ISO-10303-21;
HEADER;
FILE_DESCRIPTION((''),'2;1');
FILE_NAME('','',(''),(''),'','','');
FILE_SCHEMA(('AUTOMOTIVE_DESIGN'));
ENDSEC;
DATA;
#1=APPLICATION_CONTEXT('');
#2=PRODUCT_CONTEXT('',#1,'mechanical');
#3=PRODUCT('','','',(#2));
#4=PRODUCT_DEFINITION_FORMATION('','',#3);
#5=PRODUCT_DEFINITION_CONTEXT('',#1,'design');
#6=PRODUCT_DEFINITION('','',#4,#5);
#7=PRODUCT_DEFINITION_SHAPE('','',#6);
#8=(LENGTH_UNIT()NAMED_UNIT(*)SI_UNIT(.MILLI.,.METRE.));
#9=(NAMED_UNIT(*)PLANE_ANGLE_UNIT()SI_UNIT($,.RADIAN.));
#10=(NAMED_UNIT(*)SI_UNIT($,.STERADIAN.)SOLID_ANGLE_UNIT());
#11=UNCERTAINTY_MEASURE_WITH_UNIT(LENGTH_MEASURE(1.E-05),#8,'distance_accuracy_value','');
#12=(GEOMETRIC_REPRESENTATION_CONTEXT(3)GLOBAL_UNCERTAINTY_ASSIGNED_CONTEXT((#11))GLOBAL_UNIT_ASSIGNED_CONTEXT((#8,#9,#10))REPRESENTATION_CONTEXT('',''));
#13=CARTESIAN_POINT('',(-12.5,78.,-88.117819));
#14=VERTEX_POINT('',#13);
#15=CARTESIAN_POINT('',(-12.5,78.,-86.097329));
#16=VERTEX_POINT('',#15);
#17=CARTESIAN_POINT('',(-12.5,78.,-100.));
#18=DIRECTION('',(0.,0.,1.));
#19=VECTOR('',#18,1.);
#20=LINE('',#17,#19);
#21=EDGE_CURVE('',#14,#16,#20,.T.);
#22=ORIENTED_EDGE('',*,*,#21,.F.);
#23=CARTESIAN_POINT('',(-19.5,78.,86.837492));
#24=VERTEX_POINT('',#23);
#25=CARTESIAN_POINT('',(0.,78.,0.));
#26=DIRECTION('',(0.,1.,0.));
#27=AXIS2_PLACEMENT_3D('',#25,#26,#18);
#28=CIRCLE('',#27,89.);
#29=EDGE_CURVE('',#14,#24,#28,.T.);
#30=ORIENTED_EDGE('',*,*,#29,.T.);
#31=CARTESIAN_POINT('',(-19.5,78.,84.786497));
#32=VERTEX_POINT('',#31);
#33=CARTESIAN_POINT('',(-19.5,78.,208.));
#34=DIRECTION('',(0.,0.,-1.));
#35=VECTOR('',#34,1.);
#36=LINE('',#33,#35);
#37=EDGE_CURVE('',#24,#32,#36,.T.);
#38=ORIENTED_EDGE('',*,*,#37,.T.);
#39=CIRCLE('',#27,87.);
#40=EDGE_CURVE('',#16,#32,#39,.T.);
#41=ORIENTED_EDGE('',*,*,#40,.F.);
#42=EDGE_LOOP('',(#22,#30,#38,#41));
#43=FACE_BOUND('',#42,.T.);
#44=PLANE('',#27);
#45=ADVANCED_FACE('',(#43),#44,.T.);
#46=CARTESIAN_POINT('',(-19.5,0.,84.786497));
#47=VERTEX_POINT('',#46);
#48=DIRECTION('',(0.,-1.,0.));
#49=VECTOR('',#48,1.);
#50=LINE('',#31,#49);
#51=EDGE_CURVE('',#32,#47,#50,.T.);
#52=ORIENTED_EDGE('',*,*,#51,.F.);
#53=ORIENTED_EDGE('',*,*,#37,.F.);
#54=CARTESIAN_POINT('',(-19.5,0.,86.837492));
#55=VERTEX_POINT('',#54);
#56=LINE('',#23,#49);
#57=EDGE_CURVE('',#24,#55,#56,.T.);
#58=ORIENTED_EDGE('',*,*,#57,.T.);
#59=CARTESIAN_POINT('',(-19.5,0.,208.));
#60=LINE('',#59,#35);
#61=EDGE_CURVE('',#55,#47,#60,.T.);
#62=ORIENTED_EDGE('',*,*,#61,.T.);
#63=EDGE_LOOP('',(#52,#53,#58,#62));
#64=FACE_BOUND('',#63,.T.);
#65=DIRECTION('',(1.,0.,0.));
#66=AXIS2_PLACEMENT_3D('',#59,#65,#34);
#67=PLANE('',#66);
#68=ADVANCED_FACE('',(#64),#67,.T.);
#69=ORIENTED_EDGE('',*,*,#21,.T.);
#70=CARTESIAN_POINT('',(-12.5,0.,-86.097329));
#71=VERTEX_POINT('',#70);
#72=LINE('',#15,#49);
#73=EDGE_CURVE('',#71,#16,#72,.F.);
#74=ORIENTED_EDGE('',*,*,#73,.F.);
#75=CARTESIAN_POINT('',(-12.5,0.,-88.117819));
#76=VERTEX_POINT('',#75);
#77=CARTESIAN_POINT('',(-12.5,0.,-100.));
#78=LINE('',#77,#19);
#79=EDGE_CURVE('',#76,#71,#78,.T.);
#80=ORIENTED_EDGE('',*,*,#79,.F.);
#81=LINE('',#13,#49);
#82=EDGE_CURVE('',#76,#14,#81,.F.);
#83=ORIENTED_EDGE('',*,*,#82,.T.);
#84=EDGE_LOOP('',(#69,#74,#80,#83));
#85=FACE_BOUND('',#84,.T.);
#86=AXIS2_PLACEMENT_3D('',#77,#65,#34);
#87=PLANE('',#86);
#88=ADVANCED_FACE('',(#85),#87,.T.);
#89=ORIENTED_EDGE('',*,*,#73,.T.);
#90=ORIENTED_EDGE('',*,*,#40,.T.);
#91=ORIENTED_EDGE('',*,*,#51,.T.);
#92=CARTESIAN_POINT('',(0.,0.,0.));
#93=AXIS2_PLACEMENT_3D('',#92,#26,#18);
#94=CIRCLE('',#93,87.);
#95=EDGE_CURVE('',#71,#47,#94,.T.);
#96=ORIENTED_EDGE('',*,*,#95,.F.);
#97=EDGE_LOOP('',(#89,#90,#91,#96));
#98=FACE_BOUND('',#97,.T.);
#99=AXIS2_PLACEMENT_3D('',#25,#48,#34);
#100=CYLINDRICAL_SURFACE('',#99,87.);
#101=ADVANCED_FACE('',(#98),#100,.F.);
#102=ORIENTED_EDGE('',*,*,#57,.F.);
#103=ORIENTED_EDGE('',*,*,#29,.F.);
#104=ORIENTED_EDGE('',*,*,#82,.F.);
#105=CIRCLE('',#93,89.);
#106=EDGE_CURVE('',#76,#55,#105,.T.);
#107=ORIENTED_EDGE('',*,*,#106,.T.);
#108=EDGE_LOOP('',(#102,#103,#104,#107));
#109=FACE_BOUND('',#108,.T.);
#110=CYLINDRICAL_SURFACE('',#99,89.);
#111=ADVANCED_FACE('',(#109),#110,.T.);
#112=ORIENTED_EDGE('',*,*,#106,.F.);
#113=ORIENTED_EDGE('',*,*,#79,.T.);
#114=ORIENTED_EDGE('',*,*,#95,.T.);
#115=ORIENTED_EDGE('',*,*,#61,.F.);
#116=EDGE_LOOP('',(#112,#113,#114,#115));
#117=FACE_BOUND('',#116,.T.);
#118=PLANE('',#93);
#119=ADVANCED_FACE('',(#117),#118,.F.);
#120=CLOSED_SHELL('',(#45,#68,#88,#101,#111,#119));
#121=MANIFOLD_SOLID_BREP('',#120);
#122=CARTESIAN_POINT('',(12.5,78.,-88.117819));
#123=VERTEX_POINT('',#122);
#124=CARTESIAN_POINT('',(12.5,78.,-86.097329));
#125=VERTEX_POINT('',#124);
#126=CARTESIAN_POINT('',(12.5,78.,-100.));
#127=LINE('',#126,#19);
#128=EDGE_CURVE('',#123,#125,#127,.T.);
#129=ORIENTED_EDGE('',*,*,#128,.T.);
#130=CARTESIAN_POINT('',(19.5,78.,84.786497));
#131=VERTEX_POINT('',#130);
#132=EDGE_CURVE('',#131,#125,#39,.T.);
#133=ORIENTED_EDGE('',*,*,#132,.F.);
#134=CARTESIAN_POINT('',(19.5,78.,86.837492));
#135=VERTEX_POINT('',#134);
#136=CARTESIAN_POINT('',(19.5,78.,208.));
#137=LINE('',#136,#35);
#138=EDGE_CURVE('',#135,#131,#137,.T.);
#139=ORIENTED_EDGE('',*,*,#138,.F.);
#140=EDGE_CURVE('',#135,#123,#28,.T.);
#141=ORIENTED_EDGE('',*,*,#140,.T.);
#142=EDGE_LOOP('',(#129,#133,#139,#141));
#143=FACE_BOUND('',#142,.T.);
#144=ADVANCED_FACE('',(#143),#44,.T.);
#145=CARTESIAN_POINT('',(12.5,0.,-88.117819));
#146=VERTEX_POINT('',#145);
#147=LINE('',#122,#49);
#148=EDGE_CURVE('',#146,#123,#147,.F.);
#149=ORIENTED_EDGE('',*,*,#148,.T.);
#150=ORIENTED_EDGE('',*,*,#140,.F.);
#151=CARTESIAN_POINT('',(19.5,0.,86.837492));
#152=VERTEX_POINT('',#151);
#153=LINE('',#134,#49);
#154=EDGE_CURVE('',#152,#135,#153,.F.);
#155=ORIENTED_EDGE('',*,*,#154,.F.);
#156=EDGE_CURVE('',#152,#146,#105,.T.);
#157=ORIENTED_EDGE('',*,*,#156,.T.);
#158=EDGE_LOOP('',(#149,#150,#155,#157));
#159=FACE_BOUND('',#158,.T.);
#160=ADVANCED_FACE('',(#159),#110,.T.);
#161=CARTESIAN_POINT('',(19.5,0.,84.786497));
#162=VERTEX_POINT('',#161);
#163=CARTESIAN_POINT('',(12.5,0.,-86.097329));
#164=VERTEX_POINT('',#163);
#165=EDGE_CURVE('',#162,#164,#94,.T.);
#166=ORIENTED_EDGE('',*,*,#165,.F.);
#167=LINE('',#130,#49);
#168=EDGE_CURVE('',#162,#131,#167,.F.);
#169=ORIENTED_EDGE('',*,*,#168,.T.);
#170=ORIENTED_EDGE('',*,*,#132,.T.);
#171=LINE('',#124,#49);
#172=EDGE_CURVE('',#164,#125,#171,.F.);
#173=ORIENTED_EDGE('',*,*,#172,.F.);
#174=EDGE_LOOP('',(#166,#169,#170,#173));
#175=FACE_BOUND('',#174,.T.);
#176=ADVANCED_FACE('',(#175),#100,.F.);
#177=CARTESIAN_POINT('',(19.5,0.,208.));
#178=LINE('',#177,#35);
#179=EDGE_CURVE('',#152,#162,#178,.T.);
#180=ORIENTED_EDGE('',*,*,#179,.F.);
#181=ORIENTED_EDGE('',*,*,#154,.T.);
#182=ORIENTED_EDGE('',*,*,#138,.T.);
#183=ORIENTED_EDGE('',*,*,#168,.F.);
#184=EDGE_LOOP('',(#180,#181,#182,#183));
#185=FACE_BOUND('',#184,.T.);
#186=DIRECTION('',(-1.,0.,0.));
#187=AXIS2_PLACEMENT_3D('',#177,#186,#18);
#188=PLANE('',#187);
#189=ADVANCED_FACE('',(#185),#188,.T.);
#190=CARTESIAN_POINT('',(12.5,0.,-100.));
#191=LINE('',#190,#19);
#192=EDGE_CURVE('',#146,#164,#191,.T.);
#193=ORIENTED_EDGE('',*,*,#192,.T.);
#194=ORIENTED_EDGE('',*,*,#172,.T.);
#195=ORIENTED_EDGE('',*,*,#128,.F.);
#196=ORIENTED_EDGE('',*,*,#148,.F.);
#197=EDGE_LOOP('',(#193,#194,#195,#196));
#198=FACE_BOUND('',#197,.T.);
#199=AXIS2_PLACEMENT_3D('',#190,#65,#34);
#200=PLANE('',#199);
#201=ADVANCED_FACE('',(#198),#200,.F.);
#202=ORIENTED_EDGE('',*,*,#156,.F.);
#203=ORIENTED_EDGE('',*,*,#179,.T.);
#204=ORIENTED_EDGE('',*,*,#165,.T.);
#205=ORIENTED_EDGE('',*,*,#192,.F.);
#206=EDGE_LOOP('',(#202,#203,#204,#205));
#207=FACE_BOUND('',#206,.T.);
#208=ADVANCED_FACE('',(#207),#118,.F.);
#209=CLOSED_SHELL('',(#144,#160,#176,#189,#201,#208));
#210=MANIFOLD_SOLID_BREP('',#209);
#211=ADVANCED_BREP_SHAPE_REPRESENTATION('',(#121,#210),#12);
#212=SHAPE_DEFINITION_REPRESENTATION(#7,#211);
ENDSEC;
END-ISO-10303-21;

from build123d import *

# Parameters (mm, degrees)
SKETCH1_R           = 89
SKETCH1_R_2         = 87
BOSS_EXTRUDE1_DEPTH = 78
SKETCH2_W           = 25
SKETCH2_H           = 78
CUT_EXTRUDE1_DEPTH  = 100
SKETCH3_W           = 39
SKETCH3_H           = 78
CUT_EXTRUDE2_DEPTH  = 208


with BuildPart() as part:
    # Sketch1 → Boss-Extrude1 (new body)
    with BuildSketch(Plane(origin=(0, 0, 0), x_dir=(1, 0, 0), z_dir=(0, 1, 0))):
        with Locations(Location((0, 0, 0), (0, 0, 270))):
            Circle(SKETCH1_R)
        with Locations(Location((0, 0, 0), (0, 0, 270))):
            Circle(SKETCH1_R_2, mode=Mode.SUBTRACT)
    extrude(amount=BOSS_EXTRUDE1_DEPTH)

    # Sketch2 → Cut-Extrude1 (cut)
    with BuildSketch(Plane.XY):
        with Locations((0, 39)):
            Rectangle(SKETCH2_W, SKETCH2_H)
    extrude(amount=-CUT_EXTRUDE1_DEPTH, mode=Mode.SUBTRACT)

    # Sketch3 → Cut-Extrude2 (cut)
    with BuildSketch(Plane.XY):
        with Locations((0, 39)):
            Rectangle(SKETCH3_W, SKETCH3_H)
    extrude(amount=CUT_EXTRUDE2_DEPTH, mode=Mode.SUBTRACT)


with BuildPart() as cut_extrude2_piece_1:
    # of the separate pieces the step leaves, piece 1, a body of its own (cut_extrude2_pieces)
    add(part.part.solids().sort_by_distance((-12.5, 0, -86.097328646))[0])


with BuildPart() as cut_extrude2_piece_2:
    # of the separate pieces the step leaves, piece 2, a body of its own (cut_extrude2_pieces)
    add(part.part.solids().sort_by_distance((19.5, 0, 86.837491903))[0])


solid = Compound([cut_extrude2_piece_1.part, cut_extrude2_piece_2.part])
